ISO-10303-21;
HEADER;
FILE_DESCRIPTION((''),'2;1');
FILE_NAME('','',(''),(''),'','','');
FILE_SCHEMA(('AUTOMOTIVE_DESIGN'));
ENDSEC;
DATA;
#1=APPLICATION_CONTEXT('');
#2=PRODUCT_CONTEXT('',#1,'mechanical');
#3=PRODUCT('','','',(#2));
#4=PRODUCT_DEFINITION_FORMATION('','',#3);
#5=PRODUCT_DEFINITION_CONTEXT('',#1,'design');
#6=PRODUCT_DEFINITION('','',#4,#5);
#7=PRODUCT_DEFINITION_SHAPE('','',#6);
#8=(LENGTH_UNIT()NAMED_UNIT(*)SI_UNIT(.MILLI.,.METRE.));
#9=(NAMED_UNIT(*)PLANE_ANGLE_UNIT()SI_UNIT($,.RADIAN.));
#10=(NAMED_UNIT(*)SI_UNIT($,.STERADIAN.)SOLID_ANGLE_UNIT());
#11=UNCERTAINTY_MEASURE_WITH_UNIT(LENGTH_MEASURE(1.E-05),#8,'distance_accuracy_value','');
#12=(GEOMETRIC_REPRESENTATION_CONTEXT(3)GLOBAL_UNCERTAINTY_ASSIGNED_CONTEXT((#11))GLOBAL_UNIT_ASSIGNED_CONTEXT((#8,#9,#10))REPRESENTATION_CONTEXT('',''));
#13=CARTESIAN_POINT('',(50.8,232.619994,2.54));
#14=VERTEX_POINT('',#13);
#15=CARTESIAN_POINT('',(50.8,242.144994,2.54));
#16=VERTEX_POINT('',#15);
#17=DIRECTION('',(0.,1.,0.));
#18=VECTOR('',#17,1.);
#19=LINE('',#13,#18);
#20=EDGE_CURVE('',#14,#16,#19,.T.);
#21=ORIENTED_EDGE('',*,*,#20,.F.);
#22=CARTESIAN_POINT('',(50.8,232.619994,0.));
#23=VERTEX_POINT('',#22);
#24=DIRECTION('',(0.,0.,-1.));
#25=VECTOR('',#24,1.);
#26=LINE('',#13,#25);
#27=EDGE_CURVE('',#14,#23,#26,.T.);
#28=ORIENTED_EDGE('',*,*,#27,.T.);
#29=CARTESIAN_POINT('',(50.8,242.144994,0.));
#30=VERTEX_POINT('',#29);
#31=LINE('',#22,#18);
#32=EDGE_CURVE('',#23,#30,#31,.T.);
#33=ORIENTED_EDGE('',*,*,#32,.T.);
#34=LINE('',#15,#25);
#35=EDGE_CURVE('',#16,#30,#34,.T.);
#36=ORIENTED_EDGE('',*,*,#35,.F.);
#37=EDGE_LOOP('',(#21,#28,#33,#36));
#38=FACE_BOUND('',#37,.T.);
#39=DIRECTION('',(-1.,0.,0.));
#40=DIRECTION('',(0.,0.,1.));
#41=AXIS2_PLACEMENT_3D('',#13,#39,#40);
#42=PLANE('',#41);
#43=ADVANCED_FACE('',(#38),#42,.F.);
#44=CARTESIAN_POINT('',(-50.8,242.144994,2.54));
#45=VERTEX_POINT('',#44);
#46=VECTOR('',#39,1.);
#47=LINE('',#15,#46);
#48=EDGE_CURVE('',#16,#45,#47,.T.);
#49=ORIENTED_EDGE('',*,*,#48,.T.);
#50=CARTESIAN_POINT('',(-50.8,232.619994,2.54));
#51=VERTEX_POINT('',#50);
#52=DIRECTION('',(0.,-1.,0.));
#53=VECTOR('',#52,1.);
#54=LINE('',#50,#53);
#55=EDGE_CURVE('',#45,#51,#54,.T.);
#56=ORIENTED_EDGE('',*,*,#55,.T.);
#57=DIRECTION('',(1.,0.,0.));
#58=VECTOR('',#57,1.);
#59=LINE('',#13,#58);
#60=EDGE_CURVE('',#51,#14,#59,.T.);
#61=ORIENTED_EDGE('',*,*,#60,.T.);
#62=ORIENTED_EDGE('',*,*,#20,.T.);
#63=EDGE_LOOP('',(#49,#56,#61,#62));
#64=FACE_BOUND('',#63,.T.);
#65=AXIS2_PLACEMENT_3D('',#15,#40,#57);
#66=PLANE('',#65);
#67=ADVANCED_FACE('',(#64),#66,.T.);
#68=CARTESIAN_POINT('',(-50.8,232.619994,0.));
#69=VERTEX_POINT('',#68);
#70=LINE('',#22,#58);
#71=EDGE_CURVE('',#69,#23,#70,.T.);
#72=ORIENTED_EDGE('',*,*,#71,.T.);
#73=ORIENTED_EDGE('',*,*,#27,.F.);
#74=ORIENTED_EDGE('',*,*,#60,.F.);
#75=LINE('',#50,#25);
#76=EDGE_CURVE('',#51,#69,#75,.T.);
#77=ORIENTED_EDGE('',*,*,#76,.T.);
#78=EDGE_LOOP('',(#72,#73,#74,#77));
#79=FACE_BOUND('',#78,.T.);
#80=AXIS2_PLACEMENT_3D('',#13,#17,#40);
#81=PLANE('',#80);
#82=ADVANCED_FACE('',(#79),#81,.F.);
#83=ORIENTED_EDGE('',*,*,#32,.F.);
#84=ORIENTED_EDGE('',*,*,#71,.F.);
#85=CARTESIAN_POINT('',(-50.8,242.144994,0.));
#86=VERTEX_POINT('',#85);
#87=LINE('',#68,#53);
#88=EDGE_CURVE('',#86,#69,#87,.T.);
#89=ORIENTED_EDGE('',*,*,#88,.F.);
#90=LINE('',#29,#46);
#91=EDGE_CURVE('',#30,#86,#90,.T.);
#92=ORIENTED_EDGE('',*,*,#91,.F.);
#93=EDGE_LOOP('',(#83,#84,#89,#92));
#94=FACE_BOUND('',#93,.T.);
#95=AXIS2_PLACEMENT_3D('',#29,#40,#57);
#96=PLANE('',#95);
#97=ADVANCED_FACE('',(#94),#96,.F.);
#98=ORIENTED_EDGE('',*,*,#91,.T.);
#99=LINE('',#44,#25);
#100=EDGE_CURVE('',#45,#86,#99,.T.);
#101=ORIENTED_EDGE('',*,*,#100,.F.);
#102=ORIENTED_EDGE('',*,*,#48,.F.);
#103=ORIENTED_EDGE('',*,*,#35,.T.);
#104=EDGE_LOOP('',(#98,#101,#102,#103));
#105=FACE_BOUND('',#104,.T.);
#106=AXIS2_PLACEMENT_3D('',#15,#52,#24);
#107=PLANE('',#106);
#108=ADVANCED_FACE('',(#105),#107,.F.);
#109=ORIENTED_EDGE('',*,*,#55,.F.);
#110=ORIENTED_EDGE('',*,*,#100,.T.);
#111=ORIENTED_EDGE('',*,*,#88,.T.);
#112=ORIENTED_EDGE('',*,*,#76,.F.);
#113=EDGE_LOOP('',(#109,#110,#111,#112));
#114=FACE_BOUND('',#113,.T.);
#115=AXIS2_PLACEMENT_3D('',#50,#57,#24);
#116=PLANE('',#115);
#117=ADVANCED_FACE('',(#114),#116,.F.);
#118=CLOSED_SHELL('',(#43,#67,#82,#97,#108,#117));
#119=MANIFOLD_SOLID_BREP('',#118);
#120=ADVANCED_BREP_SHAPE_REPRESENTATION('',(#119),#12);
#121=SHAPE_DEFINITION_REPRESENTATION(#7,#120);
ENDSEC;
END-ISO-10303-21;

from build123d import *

# Parameters (mm, degrees)
SKETCH1_W      = 101.6
SKETCH1_H      = 9.525
EXTRUDE1_DEPTH = 2.54


with BuildPart() as part:
    # Sketch1 → Extrude1 (new body)
    with BuildSketch(Plane.XY):
        with Locations((0, 237.3824945)):
            Rectangle(SKETCH1_W, SKETCH1_H)
    extrude(amount=EXTRUDE1_DEPTH)


solid = part.part
